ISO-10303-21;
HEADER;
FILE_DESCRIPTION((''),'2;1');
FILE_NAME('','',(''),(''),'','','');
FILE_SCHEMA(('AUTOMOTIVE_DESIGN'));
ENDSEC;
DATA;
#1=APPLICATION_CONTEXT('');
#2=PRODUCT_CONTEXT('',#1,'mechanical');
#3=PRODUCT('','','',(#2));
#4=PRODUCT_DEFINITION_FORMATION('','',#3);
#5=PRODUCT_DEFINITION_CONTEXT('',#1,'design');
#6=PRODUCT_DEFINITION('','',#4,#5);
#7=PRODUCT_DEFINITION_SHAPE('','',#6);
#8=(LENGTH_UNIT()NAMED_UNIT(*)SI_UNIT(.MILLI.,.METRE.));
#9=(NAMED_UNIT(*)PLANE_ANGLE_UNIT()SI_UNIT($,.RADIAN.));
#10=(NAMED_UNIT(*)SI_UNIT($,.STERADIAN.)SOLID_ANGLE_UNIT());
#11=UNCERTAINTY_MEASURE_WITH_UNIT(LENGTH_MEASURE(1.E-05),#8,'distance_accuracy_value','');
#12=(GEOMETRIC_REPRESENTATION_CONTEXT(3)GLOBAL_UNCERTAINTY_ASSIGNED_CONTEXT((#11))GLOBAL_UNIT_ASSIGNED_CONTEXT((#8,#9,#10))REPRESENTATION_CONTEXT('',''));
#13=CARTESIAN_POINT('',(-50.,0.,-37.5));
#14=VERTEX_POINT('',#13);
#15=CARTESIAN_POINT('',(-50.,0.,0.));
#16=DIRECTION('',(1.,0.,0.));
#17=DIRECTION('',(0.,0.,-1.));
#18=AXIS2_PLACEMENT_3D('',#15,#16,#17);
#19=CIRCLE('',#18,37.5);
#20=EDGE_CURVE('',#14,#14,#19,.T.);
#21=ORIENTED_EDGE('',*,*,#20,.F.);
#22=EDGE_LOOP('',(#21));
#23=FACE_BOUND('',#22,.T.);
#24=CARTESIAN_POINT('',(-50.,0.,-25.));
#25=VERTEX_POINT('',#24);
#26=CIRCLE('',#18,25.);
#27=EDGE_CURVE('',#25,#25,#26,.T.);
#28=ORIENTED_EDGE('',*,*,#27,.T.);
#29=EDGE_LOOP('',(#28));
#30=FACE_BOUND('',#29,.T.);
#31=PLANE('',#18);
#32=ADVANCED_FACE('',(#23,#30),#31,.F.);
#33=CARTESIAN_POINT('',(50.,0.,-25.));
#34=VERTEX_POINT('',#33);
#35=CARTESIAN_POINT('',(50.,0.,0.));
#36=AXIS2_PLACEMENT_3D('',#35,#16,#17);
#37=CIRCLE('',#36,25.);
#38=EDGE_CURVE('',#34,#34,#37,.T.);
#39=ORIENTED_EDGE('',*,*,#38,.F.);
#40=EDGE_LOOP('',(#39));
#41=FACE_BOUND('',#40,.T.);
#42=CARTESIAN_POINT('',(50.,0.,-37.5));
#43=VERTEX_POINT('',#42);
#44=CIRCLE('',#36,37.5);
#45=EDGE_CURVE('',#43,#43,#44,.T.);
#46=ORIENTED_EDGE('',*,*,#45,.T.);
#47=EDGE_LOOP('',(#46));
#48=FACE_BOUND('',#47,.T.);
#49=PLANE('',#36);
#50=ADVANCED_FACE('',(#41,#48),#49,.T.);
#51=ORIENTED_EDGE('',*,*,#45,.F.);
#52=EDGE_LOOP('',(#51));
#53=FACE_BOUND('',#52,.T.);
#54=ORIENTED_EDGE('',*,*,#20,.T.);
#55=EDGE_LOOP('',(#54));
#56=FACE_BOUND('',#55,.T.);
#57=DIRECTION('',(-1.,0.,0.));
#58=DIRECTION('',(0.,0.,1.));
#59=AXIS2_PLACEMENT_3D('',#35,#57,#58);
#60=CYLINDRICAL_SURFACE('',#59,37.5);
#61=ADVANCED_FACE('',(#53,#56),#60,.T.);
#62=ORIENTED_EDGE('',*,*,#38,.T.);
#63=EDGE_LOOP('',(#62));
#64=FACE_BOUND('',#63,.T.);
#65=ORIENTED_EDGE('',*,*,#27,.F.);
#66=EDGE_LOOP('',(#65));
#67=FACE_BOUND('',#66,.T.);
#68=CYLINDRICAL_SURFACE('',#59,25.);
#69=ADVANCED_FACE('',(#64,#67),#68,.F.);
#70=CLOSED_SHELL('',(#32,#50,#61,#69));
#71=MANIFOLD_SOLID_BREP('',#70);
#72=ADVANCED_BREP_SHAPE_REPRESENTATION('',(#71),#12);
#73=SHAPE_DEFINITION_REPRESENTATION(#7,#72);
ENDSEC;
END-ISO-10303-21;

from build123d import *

# Parameters (mm, degrees)
SKETCH1_R           = 37.5
SKETCH1_R_2         = 25
BOSS_EXTRUDE1_DEPTH = 50


with BuildPart() as part:
    # Sketch1 → Boss-Extrude1 (new body, symmetric)
    with BuildSketch(Plane(origin=(0, 0, 0), x_dir=(0, 0, -1), z_dir=(1, 0, 0))):
        Circle(SKETCH1_R)
        Circle(SKETCH1_R_2, mode=Mode.SUBTRACT)
    extrude(amount=BOSS_EXTRUDE1_DEPTH, both=True)


solid = part.part
